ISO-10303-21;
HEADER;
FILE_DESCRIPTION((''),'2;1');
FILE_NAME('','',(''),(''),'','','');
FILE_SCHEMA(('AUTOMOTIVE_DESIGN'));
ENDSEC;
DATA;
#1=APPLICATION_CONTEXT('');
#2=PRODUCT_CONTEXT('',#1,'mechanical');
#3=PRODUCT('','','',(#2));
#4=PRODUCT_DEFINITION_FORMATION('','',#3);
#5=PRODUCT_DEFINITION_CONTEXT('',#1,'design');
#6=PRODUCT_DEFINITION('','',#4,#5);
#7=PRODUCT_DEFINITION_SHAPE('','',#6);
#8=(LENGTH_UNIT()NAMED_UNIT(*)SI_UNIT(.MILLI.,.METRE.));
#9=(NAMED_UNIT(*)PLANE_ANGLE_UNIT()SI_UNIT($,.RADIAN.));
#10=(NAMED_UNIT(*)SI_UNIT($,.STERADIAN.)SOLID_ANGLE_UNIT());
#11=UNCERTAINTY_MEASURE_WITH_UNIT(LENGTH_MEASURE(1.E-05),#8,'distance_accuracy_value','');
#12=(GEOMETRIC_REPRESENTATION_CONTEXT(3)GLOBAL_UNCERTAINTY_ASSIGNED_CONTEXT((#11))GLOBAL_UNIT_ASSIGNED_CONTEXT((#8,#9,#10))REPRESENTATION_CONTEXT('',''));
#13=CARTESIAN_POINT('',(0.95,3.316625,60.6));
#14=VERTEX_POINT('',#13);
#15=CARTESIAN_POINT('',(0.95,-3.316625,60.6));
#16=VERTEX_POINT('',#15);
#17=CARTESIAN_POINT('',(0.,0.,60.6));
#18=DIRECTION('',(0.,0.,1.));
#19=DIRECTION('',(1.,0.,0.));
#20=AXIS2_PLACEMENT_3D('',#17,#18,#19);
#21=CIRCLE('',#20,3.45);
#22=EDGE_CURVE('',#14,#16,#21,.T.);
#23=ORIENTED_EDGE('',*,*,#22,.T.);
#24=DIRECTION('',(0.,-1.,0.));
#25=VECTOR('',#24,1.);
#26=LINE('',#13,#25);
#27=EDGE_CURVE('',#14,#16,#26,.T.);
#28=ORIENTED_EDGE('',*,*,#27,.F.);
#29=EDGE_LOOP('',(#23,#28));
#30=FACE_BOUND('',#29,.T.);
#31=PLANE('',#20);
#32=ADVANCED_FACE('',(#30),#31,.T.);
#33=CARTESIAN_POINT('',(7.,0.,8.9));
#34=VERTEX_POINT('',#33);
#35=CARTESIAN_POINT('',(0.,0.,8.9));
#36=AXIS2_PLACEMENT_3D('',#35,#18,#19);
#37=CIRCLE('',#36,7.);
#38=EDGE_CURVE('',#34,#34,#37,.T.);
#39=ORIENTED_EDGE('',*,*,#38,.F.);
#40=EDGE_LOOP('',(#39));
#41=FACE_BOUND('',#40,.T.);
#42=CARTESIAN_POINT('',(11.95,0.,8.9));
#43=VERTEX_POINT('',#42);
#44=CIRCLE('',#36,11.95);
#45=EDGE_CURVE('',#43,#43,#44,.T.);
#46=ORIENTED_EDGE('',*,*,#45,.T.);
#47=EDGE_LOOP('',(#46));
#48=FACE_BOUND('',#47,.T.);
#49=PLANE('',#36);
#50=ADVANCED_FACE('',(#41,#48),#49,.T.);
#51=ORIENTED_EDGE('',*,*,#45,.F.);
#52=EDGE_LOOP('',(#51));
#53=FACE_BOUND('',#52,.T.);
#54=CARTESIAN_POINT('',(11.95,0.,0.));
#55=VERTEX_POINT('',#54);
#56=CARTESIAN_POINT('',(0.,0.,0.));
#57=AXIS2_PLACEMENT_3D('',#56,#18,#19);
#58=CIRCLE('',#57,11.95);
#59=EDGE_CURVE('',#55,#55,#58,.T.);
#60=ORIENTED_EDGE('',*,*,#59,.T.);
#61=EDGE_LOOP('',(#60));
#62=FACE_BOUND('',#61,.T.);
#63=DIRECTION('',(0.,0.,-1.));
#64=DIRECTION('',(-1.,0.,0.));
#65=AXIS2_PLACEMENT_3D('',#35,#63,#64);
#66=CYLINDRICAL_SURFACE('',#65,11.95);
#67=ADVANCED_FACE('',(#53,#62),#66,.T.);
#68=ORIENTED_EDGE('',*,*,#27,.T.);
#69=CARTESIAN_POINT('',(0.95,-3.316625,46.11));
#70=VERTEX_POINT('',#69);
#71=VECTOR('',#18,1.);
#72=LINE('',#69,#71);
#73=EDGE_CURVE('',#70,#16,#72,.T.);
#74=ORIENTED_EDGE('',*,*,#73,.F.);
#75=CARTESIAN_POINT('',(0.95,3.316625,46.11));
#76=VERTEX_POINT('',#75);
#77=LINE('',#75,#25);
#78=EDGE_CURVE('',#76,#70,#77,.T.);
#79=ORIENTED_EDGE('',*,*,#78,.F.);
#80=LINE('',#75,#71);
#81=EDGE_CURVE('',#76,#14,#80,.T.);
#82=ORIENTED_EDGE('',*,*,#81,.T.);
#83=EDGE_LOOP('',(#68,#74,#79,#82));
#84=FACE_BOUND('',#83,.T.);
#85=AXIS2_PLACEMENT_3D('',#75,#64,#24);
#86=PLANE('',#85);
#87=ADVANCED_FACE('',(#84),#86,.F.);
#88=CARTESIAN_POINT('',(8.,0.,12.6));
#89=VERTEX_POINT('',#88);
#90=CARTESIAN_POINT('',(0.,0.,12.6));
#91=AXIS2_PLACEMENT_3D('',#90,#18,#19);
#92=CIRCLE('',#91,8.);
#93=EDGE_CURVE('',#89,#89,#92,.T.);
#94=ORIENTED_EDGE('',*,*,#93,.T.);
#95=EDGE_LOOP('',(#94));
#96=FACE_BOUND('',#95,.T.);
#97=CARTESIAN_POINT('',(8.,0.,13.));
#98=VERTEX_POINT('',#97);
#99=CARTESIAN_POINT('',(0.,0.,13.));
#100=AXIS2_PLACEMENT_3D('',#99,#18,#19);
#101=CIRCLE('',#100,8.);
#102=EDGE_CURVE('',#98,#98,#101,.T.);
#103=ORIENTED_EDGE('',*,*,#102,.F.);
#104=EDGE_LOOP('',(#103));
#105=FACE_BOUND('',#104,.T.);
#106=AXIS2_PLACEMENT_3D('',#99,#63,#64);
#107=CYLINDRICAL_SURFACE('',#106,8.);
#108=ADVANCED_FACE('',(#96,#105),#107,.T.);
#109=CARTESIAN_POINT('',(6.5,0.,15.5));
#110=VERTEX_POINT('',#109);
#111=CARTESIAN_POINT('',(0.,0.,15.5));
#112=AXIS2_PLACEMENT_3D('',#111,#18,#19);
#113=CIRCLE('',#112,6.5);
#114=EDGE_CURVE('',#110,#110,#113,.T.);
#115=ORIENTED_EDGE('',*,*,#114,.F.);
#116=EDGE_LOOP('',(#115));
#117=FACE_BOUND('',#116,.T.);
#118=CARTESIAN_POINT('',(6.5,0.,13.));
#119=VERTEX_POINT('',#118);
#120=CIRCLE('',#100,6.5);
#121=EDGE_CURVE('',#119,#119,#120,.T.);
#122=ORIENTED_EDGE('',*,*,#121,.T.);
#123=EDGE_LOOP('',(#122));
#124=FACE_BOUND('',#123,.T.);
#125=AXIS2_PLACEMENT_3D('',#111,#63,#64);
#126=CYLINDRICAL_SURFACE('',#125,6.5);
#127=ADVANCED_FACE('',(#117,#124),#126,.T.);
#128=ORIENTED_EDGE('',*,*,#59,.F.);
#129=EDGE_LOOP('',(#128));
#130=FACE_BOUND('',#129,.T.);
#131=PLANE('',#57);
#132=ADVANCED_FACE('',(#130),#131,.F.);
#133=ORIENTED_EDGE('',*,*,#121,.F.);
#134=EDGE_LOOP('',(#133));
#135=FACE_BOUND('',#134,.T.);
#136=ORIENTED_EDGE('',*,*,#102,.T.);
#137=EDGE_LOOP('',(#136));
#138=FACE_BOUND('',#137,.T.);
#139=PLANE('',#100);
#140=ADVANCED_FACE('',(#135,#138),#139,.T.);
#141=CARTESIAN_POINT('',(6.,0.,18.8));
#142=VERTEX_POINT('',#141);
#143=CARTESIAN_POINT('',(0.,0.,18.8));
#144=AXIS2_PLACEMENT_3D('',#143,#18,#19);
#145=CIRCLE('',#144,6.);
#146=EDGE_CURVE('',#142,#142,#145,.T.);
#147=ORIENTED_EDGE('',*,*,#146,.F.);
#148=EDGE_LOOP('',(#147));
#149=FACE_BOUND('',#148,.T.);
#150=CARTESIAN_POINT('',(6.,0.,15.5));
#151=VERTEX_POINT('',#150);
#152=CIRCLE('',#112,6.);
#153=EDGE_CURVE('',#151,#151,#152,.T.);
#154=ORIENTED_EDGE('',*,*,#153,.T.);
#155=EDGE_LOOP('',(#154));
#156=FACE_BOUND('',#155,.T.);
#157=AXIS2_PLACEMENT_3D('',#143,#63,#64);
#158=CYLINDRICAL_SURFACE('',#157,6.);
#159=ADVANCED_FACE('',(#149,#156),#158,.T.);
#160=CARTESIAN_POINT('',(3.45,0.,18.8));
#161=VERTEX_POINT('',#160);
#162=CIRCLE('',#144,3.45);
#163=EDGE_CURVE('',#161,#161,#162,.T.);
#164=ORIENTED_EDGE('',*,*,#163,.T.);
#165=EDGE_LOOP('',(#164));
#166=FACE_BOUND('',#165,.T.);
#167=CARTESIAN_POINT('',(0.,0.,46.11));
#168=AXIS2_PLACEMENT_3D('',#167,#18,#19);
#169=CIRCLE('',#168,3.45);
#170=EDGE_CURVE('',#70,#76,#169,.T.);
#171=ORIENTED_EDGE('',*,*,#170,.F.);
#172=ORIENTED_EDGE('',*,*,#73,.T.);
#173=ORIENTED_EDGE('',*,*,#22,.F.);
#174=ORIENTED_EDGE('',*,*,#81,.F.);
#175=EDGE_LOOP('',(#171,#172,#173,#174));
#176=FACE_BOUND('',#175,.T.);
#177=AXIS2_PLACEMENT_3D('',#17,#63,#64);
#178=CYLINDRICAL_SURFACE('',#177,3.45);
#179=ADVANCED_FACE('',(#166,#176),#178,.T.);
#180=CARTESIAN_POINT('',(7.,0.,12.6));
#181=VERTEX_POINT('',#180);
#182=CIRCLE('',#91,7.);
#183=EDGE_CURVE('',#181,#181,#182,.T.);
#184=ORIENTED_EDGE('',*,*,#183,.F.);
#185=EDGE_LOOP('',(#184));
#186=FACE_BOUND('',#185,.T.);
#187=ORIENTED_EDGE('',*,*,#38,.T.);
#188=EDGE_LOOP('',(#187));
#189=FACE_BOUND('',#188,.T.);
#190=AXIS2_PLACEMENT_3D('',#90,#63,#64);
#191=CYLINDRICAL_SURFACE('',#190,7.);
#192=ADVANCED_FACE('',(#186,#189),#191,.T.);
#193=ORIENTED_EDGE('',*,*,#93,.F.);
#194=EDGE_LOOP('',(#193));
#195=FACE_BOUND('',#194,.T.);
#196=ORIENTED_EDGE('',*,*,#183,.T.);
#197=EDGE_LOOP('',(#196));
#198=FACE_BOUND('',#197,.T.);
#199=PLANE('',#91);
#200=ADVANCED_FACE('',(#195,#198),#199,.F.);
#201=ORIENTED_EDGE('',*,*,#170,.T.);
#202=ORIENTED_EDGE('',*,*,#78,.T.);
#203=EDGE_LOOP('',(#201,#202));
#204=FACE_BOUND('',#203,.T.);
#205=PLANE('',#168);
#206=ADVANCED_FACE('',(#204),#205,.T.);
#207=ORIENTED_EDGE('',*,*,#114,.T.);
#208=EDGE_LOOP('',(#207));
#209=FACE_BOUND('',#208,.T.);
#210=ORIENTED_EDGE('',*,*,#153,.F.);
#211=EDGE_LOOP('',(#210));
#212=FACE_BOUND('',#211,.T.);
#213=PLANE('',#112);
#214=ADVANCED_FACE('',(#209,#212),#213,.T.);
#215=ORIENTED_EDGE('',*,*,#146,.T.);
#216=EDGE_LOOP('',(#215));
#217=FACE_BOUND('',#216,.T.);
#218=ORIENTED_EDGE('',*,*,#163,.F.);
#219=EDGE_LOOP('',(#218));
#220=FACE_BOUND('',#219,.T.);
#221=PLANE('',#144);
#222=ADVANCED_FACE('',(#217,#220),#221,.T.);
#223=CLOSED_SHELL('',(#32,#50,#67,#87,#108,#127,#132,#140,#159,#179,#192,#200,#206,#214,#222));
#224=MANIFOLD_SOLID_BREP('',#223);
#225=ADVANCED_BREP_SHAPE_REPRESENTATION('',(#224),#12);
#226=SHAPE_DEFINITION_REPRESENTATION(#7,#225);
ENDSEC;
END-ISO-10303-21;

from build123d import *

# Parameters (mm, degrees)
SKETCH2_R           = 11.95
BOSS_EXTRUDE1_DEPTH = 8.9
SKETCH3_R           = 7
BOSS_EXTRUDE2_DEPTH = 3.7
SKETCH5_R           = 8
BOSS_EXTRUDE3_DEPTH = 0.4
SKETCH6_R           = 6.5
BOSS_EXTRUDE4_DEPTH = 2.5
SKETCH7_R           = 6
BOSS_EXTRUDE5_DEPTH = 3.3
SKETCH8_R           = 3.45
BOSS_EXTRUDE6_DEPTH = 41.8
CUT_EXTRUDE2_START  = -14.49
CUT_EXTRUDE2_DEPTH  = 14.49


with BuildPart() as part:
    # Sketch2 → Boss-Extrude1 (new body)
    with BuildSketch(Plane(origin=(0, 0, 0), x_dir=(0, 1, 0), z_dir=(0, 0, 1))):
        with Locations(Location((0, 0, 0), (0, 0, 270))):
            Circle(SKETCH2_R)
    extrude(amount=BOSS_EXTRUDE1_DEPTH)

    # Sketch3 → Boss-Extrude2 (add)
    with BuildSketch(Plane.XY.offset(8.9)):
        Circle(SKETCH3_R)
    extrude(amount=BOSS_EXTRUDE2_DEPTH)

    # Sketch5 → Boss-Extrude3 (add)
    with BuildSketch(Plane.XY.offset(12.6)):
        Circle(SKETCH5_R)
    extrude(amount=BOSS_EXTRUDE3_DEPTH)

    # Sketch6 → Boss-Extrude4 (add)
    with BuildSketch(Plane.XY.offset(13)):
        Circle(SKETCH6_R)
    extrude(amount=BOSS_EXTRUDE4_DEPTH)

    # Sketch7 → Boss-Extrude5 (add)
    with BuildSketch(Plane.XY.offset(15.5)):
        Circle(SKETCH7_R)
    extrude(amount=BOSS_EXTRUDE5_DEPTH)

    # Sketch8 → Boss-Extrude6 (add)
    with BuildSketch(Plane.XY.offset(18.8)):
        Circle(SKETCH8_R)
    extrude(amount=BOSS_EXTRUDE6_DEPTH)

    # Sketch10 → Cut-Extrude2 (cut)
    with BuildSketch(Plane.XY.offset(60.6).offset(CUT_EXTRUDE2_START)):
        with BuildLine():
            Line((0.95, 3.31662479), (0.95, -3.31662479))
            ThreePointArc((0.95, -3.31662479), (3.45, 0), (0.95, 3.31662479))
        make_face()
    extrude(amount=CUT_EXTRUDE2_DEPTH, mode=Mode.SUBTRACT)


solid = part.part
